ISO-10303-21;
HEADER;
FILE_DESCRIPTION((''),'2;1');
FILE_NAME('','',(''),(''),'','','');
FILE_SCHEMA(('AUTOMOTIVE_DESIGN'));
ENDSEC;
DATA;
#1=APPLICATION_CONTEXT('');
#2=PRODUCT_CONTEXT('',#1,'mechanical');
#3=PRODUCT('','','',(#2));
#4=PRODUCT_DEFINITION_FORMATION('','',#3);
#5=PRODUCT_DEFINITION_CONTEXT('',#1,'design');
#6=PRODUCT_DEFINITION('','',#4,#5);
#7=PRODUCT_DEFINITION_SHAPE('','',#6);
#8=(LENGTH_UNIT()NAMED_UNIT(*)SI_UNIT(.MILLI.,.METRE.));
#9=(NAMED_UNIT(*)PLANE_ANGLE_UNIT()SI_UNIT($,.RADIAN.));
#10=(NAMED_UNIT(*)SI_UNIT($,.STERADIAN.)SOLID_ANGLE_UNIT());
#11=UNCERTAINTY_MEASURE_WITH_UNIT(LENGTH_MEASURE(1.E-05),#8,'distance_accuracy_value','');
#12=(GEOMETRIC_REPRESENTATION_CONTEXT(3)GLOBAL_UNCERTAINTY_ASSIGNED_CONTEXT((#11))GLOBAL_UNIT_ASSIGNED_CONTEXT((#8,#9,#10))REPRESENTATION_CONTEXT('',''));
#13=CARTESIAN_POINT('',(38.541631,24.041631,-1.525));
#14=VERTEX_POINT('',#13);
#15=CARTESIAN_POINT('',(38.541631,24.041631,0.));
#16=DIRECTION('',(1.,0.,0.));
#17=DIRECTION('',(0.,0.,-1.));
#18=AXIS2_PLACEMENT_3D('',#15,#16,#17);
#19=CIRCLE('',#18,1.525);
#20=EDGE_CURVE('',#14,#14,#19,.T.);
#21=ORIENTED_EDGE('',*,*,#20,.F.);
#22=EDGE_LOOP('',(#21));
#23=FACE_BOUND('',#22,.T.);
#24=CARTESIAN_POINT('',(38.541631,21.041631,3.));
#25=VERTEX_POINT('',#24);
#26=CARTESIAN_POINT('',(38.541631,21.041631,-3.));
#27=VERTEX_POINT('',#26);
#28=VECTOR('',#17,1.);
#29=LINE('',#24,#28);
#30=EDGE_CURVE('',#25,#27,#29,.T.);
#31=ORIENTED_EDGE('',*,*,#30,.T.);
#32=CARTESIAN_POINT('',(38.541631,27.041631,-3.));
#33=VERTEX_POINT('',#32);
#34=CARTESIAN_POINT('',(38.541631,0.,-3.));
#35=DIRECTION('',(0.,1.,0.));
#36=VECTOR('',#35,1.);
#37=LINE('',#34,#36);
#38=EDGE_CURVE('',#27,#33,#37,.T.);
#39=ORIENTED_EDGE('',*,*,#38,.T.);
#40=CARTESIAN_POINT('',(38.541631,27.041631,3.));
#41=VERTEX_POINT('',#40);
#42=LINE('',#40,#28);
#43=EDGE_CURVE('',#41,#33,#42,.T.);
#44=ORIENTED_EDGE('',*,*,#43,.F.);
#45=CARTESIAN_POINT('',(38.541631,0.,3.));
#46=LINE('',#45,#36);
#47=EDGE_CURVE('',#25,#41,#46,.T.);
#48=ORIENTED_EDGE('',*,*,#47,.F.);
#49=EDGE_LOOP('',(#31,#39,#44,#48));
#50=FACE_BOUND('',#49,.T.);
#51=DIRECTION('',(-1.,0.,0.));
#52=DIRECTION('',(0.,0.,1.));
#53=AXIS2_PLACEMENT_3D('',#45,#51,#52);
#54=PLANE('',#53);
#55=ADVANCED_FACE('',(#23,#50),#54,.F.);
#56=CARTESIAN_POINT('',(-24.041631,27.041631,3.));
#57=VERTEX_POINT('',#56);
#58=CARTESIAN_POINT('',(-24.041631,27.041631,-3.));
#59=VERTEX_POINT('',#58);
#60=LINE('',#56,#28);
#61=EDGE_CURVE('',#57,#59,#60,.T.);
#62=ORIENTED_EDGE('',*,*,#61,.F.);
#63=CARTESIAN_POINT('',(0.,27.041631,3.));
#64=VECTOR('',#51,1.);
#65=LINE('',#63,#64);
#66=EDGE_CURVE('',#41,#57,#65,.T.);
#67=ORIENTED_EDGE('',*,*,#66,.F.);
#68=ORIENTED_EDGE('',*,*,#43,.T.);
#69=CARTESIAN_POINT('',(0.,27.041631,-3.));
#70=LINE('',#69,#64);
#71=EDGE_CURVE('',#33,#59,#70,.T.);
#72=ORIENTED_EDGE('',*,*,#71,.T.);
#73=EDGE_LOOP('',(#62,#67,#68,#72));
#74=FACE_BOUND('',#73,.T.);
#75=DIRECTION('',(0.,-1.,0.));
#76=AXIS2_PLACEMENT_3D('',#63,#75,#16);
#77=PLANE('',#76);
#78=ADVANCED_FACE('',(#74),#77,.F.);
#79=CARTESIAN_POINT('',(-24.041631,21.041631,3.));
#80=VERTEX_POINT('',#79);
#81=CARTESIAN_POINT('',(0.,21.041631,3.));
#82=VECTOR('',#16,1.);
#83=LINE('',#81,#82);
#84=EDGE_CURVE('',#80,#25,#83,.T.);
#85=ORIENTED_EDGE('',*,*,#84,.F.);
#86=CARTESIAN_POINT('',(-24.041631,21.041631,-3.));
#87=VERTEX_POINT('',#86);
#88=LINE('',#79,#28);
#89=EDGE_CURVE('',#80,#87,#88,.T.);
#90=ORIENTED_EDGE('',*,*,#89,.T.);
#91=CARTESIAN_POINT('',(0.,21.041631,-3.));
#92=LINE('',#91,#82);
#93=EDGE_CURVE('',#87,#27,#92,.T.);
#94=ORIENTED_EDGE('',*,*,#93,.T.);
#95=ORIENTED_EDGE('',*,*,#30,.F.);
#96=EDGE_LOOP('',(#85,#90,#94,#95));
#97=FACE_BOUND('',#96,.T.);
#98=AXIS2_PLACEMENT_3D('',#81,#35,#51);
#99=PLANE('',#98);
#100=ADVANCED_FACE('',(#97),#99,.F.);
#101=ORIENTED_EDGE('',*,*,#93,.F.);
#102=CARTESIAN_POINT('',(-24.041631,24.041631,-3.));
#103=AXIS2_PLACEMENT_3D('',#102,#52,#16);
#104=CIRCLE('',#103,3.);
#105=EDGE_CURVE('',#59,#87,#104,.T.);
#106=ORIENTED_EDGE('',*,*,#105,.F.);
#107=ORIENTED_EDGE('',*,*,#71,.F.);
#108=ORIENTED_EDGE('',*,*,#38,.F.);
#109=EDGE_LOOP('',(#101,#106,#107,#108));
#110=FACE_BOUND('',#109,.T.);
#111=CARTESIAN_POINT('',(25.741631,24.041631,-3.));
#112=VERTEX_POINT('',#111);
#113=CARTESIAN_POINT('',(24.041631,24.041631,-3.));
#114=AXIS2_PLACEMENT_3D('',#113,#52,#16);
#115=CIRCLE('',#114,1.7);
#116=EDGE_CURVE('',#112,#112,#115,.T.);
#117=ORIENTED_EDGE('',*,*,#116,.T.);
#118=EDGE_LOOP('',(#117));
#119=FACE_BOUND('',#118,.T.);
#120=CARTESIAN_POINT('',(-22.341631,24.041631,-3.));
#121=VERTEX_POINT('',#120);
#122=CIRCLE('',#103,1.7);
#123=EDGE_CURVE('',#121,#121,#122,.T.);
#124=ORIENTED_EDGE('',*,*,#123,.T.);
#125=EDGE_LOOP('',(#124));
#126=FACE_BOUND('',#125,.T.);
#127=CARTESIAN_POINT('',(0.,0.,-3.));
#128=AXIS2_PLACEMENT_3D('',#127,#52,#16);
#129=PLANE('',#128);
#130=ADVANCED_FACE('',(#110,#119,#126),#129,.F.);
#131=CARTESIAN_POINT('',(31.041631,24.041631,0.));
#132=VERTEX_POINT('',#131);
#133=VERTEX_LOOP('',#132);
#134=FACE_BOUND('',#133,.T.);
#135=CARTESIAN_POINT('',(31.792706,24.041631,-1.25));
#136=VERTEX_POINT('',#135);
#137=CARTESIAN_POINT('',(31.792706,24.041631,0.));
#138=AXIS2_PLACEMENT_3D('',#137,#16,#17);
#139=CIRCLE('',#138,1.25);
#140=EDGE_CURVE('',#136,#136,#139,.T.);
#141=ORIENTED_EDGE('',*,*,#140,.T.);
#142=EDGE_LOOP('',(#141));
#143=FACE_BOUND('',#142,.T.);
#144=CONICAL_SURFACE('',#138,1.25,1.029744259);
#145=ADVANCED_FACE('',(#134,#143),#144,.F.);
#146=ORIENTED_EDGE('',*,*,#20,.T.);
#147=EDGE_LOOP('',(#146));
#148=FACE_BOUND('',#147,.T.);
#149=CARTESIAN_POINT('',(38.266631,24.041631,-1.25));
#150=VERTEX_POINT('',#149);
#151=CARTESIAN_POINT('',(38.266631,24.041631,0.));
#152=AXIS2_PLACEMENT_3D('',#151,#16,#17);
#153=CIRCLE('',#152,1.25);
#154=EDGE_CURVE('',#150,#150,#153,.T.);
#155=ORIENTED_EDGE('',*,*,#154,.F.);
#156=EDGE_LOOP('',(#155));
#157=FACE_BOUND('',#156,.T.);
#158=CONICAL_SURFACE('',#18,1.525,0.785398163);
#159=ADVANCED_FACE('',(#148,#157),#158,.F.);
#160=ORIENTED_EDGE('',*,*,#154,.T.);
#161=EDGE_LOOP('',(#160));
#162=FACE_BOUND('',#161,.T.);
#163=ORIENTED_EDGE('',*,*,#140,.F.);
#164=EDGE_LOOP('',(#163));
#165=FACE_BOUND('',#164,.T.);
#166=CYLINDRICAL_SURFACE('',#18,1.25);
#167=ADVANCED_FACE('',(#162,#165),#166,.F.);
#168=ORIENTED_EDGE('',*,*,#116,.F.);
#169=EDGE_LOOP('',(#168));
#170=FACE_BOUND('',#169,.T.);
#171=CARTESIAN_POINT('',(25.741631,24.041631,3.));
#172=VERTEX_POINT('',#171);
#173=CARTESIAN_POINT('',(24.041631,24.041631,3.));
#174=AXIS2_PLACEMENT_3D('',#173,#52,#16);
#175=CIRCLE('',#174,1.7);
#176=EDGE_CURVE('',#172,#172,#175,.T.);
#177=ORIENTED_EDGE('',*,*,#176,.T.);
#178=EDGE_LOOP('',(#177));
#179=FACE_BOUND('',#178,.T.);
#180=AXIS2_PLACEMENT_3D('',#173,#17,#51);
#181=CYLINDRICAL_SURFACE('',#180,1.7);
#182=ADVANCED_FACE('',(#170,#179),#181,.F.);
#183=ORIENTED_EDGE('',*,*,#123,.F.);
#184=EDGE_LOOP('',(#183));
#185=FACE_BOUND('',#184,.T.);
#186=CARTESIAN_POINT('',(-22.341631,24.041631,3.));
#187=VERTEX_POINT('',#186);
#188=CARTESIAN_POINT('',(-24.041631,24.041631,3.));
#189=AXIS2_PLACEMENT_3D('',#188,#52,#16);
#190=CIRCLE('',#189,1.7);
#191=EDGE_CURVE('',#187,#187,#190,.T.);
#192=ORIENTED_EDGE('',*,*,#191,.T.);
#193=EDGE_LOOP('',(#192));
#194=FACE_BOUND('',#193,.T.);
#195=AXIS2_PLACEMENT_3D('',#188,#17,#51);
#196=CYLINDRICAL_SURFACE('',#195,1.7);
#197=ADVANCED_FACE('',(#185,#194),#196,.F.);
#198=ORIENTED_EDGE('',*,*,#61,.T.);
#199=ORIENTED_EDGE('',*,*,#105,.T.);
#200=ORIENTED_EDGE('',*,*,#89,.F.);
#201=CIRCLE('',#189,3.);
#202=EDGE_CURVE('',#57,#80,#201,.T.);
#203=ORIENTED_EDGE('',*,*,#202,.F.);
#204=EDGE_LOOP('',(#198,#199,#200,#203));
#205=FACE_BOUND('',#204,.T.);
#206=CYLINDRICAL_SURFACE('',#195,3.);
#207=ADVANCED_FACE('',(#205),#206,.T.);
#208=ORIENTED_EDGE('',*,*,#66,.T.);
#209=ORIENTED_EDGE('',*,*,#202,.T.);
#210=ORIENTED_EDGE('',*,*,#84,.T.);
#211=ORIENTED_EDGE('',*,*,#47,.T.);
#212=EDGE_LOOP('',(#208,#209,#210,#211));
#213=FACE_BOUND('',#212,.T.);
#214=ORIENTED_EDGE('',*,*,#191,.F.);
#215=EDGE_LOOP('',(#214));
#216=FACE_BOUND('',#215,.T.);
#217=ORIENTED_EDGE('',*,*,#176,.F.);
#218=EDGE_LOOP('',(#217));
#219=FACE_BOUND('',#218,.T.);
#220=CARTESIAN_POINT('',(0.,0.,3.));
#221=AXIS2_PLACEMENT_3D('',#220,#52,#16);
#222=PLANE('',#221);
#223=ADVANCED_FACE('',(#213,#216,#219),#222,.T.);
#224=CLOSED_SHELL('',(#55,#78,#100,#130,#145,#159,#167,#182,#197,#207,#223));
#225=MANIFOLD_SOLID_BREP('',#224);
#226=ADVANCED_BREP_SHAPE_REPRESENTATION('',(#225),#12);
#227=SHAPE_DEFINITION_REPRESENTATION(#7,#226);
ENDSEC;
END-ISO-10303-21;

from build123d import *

# Parameters (mm, degrees)
SKETCH1_R                       = 1.7
BOSS_EXTRUDE1_DEPTH             = 3
M3X0_5_TAPPED_HOLE1_D           = 2.5
M3X0_5_TAPPED_HOLE1_DEPTH       = 6.748924226
M3X0_5_TAPPED_HOLE1_CSINK_D     = 3.05
M3X0_5_TAPPED_HOLE1_CSINK_ANGLE = 90
M3X0_5_TAPPED_HOLE1_TIP         = 0.751075774


with BuildPart() as part:
    # Sketch1 → Boss-Extrude1 (new body, symmetric)
    with BuildSketch(Plane.XY):
        with BuildLine():
            Line((38.54163056, 21.04163056), (38.54163056, 27.04163056))
            Line((38.54163056, 27.04163056), (24.04163056, 27.04163056))
            ThreePointArc((24.04163056, 27.04163056), (26.509317815, 25.747655066), (26.848253846, 22.981976969))
            ThreePointArc((26.848253846, 22.981976969), (26.592295747, 22.027653458), (26.528996798, 21.04163056))
            Line((26.528996798, 21.04163056), (38.54163056, 21.04163056))
        make_face()
        with BuildLine():
            ThreePointArc((26.848253846, 22.981976969), (26.509317815, 25.747655066), (24.04163056, 27.04163056))
            ThreePointArc((24.04163056, 27.04163056), (23.503053666, 26.992890449), (22.981976969, 26.848253846))
            ThreePointArc((22.981976969, 26.848253846), (20.97309248, 26.531857751), (19.004373338, 27.04163056))
            Line((19.004373338, 27.04163056), (-19.004373338, 27.04163056))
            ThreePointArc((-19.004373338, 27.04163056), (-20.97309248, 26.531857751), (-22.981976969, 26.848253846))
            ThreePointArc((-22.981976969, 26.848253846), (-23.503053666, 26.992890449), (-24.04163056, 27.04163056))
            ThreePointArc((-24.04163056, 27.04163056), (-26.509317815, 25.747655066), (-26.848253846, 22.981976969))
            ThreePointArc((-26.848253846, 22.981976969), (-25.747655066, 21.573943306), (-24.04163056, 21.04163056))
            Line((-24.04163056, 21.04163056), (26.528996798, 21.04163056))
            ThreePointArc((26.528996798, 21.04163056), (26.592295747, 22.027653458), (26.848253846, 22.981976969))
        make_face()
        with Locations((-24.04163056, 24.04163056)):
            Circle(SKETCH1_R, mode=Mode.SUBTRACT)
        with Locations((24.04163056, 24.04163056)):
            Circle(SKETCH1_R, mode=Mode.SUBTRACT)
        with BuildLine():
            ThreePointArc((22.981976969, 26.848253846), (23.503053666, 26.992890449), (24.04163056, 27.04163056))
            Line((24.04163056, 27.04163056), (19.004373338, 27.04163056))
            ThreePointArc((19.004373338, 27.04163056), (20.97309248, 26.531857751), (22.981976969, 26.848253846))
        make_face()
        with BuildLine():
            ThreePointArc((-22.981976969, 26.848253846), (-20.97309248, 26.531857751), (-19.004373338, 27.04163056))
            Line((-19.004373338, 27.04163056), (-24.04163056, 27.04163056))
            ThreePointArc((-24.04163056, 27.04163056), (-23.503053666, 26.992890449), (-22.981976969, 26.848253846))
        make_face()
    extrude(amount=BOSS_EXTRUDE1_DEPTH, both=True)

    # M3x0.5 Tapped Hole1
    with Locations(Plane(origin=(38.54163056, 24.04163056, 0), x_dir=(0, 0, 1), z_dir=(1, 0, 0))):
        with Locations((0, 0)):
            CounterSinkHole(M3X0_5_TAPPED_HOLE1_D / 2, M3X0_5_TAPPED_HOLE1_CSINK_D / 2, depth=M3X0_5_TAPPED_HOLE1_DEPTH, counter_sink_angle=M3X0_5_TAPPED_HOLE1_CSINK_ANGLE)
            with Locations((0, 0, -(M3X0_5_TAPPED_HOLE1_DEPTH + M3X0_5_TAPPED_HOLE1_TIP / 2))):  # 118° drill point
                Cone(0, M3X0_5_TAPPED_HOLE1_D / 2, M3X0_5_TAPPED_HOLE1_TIP, mode=Mode.SUBTRACT)


solid = part.part
